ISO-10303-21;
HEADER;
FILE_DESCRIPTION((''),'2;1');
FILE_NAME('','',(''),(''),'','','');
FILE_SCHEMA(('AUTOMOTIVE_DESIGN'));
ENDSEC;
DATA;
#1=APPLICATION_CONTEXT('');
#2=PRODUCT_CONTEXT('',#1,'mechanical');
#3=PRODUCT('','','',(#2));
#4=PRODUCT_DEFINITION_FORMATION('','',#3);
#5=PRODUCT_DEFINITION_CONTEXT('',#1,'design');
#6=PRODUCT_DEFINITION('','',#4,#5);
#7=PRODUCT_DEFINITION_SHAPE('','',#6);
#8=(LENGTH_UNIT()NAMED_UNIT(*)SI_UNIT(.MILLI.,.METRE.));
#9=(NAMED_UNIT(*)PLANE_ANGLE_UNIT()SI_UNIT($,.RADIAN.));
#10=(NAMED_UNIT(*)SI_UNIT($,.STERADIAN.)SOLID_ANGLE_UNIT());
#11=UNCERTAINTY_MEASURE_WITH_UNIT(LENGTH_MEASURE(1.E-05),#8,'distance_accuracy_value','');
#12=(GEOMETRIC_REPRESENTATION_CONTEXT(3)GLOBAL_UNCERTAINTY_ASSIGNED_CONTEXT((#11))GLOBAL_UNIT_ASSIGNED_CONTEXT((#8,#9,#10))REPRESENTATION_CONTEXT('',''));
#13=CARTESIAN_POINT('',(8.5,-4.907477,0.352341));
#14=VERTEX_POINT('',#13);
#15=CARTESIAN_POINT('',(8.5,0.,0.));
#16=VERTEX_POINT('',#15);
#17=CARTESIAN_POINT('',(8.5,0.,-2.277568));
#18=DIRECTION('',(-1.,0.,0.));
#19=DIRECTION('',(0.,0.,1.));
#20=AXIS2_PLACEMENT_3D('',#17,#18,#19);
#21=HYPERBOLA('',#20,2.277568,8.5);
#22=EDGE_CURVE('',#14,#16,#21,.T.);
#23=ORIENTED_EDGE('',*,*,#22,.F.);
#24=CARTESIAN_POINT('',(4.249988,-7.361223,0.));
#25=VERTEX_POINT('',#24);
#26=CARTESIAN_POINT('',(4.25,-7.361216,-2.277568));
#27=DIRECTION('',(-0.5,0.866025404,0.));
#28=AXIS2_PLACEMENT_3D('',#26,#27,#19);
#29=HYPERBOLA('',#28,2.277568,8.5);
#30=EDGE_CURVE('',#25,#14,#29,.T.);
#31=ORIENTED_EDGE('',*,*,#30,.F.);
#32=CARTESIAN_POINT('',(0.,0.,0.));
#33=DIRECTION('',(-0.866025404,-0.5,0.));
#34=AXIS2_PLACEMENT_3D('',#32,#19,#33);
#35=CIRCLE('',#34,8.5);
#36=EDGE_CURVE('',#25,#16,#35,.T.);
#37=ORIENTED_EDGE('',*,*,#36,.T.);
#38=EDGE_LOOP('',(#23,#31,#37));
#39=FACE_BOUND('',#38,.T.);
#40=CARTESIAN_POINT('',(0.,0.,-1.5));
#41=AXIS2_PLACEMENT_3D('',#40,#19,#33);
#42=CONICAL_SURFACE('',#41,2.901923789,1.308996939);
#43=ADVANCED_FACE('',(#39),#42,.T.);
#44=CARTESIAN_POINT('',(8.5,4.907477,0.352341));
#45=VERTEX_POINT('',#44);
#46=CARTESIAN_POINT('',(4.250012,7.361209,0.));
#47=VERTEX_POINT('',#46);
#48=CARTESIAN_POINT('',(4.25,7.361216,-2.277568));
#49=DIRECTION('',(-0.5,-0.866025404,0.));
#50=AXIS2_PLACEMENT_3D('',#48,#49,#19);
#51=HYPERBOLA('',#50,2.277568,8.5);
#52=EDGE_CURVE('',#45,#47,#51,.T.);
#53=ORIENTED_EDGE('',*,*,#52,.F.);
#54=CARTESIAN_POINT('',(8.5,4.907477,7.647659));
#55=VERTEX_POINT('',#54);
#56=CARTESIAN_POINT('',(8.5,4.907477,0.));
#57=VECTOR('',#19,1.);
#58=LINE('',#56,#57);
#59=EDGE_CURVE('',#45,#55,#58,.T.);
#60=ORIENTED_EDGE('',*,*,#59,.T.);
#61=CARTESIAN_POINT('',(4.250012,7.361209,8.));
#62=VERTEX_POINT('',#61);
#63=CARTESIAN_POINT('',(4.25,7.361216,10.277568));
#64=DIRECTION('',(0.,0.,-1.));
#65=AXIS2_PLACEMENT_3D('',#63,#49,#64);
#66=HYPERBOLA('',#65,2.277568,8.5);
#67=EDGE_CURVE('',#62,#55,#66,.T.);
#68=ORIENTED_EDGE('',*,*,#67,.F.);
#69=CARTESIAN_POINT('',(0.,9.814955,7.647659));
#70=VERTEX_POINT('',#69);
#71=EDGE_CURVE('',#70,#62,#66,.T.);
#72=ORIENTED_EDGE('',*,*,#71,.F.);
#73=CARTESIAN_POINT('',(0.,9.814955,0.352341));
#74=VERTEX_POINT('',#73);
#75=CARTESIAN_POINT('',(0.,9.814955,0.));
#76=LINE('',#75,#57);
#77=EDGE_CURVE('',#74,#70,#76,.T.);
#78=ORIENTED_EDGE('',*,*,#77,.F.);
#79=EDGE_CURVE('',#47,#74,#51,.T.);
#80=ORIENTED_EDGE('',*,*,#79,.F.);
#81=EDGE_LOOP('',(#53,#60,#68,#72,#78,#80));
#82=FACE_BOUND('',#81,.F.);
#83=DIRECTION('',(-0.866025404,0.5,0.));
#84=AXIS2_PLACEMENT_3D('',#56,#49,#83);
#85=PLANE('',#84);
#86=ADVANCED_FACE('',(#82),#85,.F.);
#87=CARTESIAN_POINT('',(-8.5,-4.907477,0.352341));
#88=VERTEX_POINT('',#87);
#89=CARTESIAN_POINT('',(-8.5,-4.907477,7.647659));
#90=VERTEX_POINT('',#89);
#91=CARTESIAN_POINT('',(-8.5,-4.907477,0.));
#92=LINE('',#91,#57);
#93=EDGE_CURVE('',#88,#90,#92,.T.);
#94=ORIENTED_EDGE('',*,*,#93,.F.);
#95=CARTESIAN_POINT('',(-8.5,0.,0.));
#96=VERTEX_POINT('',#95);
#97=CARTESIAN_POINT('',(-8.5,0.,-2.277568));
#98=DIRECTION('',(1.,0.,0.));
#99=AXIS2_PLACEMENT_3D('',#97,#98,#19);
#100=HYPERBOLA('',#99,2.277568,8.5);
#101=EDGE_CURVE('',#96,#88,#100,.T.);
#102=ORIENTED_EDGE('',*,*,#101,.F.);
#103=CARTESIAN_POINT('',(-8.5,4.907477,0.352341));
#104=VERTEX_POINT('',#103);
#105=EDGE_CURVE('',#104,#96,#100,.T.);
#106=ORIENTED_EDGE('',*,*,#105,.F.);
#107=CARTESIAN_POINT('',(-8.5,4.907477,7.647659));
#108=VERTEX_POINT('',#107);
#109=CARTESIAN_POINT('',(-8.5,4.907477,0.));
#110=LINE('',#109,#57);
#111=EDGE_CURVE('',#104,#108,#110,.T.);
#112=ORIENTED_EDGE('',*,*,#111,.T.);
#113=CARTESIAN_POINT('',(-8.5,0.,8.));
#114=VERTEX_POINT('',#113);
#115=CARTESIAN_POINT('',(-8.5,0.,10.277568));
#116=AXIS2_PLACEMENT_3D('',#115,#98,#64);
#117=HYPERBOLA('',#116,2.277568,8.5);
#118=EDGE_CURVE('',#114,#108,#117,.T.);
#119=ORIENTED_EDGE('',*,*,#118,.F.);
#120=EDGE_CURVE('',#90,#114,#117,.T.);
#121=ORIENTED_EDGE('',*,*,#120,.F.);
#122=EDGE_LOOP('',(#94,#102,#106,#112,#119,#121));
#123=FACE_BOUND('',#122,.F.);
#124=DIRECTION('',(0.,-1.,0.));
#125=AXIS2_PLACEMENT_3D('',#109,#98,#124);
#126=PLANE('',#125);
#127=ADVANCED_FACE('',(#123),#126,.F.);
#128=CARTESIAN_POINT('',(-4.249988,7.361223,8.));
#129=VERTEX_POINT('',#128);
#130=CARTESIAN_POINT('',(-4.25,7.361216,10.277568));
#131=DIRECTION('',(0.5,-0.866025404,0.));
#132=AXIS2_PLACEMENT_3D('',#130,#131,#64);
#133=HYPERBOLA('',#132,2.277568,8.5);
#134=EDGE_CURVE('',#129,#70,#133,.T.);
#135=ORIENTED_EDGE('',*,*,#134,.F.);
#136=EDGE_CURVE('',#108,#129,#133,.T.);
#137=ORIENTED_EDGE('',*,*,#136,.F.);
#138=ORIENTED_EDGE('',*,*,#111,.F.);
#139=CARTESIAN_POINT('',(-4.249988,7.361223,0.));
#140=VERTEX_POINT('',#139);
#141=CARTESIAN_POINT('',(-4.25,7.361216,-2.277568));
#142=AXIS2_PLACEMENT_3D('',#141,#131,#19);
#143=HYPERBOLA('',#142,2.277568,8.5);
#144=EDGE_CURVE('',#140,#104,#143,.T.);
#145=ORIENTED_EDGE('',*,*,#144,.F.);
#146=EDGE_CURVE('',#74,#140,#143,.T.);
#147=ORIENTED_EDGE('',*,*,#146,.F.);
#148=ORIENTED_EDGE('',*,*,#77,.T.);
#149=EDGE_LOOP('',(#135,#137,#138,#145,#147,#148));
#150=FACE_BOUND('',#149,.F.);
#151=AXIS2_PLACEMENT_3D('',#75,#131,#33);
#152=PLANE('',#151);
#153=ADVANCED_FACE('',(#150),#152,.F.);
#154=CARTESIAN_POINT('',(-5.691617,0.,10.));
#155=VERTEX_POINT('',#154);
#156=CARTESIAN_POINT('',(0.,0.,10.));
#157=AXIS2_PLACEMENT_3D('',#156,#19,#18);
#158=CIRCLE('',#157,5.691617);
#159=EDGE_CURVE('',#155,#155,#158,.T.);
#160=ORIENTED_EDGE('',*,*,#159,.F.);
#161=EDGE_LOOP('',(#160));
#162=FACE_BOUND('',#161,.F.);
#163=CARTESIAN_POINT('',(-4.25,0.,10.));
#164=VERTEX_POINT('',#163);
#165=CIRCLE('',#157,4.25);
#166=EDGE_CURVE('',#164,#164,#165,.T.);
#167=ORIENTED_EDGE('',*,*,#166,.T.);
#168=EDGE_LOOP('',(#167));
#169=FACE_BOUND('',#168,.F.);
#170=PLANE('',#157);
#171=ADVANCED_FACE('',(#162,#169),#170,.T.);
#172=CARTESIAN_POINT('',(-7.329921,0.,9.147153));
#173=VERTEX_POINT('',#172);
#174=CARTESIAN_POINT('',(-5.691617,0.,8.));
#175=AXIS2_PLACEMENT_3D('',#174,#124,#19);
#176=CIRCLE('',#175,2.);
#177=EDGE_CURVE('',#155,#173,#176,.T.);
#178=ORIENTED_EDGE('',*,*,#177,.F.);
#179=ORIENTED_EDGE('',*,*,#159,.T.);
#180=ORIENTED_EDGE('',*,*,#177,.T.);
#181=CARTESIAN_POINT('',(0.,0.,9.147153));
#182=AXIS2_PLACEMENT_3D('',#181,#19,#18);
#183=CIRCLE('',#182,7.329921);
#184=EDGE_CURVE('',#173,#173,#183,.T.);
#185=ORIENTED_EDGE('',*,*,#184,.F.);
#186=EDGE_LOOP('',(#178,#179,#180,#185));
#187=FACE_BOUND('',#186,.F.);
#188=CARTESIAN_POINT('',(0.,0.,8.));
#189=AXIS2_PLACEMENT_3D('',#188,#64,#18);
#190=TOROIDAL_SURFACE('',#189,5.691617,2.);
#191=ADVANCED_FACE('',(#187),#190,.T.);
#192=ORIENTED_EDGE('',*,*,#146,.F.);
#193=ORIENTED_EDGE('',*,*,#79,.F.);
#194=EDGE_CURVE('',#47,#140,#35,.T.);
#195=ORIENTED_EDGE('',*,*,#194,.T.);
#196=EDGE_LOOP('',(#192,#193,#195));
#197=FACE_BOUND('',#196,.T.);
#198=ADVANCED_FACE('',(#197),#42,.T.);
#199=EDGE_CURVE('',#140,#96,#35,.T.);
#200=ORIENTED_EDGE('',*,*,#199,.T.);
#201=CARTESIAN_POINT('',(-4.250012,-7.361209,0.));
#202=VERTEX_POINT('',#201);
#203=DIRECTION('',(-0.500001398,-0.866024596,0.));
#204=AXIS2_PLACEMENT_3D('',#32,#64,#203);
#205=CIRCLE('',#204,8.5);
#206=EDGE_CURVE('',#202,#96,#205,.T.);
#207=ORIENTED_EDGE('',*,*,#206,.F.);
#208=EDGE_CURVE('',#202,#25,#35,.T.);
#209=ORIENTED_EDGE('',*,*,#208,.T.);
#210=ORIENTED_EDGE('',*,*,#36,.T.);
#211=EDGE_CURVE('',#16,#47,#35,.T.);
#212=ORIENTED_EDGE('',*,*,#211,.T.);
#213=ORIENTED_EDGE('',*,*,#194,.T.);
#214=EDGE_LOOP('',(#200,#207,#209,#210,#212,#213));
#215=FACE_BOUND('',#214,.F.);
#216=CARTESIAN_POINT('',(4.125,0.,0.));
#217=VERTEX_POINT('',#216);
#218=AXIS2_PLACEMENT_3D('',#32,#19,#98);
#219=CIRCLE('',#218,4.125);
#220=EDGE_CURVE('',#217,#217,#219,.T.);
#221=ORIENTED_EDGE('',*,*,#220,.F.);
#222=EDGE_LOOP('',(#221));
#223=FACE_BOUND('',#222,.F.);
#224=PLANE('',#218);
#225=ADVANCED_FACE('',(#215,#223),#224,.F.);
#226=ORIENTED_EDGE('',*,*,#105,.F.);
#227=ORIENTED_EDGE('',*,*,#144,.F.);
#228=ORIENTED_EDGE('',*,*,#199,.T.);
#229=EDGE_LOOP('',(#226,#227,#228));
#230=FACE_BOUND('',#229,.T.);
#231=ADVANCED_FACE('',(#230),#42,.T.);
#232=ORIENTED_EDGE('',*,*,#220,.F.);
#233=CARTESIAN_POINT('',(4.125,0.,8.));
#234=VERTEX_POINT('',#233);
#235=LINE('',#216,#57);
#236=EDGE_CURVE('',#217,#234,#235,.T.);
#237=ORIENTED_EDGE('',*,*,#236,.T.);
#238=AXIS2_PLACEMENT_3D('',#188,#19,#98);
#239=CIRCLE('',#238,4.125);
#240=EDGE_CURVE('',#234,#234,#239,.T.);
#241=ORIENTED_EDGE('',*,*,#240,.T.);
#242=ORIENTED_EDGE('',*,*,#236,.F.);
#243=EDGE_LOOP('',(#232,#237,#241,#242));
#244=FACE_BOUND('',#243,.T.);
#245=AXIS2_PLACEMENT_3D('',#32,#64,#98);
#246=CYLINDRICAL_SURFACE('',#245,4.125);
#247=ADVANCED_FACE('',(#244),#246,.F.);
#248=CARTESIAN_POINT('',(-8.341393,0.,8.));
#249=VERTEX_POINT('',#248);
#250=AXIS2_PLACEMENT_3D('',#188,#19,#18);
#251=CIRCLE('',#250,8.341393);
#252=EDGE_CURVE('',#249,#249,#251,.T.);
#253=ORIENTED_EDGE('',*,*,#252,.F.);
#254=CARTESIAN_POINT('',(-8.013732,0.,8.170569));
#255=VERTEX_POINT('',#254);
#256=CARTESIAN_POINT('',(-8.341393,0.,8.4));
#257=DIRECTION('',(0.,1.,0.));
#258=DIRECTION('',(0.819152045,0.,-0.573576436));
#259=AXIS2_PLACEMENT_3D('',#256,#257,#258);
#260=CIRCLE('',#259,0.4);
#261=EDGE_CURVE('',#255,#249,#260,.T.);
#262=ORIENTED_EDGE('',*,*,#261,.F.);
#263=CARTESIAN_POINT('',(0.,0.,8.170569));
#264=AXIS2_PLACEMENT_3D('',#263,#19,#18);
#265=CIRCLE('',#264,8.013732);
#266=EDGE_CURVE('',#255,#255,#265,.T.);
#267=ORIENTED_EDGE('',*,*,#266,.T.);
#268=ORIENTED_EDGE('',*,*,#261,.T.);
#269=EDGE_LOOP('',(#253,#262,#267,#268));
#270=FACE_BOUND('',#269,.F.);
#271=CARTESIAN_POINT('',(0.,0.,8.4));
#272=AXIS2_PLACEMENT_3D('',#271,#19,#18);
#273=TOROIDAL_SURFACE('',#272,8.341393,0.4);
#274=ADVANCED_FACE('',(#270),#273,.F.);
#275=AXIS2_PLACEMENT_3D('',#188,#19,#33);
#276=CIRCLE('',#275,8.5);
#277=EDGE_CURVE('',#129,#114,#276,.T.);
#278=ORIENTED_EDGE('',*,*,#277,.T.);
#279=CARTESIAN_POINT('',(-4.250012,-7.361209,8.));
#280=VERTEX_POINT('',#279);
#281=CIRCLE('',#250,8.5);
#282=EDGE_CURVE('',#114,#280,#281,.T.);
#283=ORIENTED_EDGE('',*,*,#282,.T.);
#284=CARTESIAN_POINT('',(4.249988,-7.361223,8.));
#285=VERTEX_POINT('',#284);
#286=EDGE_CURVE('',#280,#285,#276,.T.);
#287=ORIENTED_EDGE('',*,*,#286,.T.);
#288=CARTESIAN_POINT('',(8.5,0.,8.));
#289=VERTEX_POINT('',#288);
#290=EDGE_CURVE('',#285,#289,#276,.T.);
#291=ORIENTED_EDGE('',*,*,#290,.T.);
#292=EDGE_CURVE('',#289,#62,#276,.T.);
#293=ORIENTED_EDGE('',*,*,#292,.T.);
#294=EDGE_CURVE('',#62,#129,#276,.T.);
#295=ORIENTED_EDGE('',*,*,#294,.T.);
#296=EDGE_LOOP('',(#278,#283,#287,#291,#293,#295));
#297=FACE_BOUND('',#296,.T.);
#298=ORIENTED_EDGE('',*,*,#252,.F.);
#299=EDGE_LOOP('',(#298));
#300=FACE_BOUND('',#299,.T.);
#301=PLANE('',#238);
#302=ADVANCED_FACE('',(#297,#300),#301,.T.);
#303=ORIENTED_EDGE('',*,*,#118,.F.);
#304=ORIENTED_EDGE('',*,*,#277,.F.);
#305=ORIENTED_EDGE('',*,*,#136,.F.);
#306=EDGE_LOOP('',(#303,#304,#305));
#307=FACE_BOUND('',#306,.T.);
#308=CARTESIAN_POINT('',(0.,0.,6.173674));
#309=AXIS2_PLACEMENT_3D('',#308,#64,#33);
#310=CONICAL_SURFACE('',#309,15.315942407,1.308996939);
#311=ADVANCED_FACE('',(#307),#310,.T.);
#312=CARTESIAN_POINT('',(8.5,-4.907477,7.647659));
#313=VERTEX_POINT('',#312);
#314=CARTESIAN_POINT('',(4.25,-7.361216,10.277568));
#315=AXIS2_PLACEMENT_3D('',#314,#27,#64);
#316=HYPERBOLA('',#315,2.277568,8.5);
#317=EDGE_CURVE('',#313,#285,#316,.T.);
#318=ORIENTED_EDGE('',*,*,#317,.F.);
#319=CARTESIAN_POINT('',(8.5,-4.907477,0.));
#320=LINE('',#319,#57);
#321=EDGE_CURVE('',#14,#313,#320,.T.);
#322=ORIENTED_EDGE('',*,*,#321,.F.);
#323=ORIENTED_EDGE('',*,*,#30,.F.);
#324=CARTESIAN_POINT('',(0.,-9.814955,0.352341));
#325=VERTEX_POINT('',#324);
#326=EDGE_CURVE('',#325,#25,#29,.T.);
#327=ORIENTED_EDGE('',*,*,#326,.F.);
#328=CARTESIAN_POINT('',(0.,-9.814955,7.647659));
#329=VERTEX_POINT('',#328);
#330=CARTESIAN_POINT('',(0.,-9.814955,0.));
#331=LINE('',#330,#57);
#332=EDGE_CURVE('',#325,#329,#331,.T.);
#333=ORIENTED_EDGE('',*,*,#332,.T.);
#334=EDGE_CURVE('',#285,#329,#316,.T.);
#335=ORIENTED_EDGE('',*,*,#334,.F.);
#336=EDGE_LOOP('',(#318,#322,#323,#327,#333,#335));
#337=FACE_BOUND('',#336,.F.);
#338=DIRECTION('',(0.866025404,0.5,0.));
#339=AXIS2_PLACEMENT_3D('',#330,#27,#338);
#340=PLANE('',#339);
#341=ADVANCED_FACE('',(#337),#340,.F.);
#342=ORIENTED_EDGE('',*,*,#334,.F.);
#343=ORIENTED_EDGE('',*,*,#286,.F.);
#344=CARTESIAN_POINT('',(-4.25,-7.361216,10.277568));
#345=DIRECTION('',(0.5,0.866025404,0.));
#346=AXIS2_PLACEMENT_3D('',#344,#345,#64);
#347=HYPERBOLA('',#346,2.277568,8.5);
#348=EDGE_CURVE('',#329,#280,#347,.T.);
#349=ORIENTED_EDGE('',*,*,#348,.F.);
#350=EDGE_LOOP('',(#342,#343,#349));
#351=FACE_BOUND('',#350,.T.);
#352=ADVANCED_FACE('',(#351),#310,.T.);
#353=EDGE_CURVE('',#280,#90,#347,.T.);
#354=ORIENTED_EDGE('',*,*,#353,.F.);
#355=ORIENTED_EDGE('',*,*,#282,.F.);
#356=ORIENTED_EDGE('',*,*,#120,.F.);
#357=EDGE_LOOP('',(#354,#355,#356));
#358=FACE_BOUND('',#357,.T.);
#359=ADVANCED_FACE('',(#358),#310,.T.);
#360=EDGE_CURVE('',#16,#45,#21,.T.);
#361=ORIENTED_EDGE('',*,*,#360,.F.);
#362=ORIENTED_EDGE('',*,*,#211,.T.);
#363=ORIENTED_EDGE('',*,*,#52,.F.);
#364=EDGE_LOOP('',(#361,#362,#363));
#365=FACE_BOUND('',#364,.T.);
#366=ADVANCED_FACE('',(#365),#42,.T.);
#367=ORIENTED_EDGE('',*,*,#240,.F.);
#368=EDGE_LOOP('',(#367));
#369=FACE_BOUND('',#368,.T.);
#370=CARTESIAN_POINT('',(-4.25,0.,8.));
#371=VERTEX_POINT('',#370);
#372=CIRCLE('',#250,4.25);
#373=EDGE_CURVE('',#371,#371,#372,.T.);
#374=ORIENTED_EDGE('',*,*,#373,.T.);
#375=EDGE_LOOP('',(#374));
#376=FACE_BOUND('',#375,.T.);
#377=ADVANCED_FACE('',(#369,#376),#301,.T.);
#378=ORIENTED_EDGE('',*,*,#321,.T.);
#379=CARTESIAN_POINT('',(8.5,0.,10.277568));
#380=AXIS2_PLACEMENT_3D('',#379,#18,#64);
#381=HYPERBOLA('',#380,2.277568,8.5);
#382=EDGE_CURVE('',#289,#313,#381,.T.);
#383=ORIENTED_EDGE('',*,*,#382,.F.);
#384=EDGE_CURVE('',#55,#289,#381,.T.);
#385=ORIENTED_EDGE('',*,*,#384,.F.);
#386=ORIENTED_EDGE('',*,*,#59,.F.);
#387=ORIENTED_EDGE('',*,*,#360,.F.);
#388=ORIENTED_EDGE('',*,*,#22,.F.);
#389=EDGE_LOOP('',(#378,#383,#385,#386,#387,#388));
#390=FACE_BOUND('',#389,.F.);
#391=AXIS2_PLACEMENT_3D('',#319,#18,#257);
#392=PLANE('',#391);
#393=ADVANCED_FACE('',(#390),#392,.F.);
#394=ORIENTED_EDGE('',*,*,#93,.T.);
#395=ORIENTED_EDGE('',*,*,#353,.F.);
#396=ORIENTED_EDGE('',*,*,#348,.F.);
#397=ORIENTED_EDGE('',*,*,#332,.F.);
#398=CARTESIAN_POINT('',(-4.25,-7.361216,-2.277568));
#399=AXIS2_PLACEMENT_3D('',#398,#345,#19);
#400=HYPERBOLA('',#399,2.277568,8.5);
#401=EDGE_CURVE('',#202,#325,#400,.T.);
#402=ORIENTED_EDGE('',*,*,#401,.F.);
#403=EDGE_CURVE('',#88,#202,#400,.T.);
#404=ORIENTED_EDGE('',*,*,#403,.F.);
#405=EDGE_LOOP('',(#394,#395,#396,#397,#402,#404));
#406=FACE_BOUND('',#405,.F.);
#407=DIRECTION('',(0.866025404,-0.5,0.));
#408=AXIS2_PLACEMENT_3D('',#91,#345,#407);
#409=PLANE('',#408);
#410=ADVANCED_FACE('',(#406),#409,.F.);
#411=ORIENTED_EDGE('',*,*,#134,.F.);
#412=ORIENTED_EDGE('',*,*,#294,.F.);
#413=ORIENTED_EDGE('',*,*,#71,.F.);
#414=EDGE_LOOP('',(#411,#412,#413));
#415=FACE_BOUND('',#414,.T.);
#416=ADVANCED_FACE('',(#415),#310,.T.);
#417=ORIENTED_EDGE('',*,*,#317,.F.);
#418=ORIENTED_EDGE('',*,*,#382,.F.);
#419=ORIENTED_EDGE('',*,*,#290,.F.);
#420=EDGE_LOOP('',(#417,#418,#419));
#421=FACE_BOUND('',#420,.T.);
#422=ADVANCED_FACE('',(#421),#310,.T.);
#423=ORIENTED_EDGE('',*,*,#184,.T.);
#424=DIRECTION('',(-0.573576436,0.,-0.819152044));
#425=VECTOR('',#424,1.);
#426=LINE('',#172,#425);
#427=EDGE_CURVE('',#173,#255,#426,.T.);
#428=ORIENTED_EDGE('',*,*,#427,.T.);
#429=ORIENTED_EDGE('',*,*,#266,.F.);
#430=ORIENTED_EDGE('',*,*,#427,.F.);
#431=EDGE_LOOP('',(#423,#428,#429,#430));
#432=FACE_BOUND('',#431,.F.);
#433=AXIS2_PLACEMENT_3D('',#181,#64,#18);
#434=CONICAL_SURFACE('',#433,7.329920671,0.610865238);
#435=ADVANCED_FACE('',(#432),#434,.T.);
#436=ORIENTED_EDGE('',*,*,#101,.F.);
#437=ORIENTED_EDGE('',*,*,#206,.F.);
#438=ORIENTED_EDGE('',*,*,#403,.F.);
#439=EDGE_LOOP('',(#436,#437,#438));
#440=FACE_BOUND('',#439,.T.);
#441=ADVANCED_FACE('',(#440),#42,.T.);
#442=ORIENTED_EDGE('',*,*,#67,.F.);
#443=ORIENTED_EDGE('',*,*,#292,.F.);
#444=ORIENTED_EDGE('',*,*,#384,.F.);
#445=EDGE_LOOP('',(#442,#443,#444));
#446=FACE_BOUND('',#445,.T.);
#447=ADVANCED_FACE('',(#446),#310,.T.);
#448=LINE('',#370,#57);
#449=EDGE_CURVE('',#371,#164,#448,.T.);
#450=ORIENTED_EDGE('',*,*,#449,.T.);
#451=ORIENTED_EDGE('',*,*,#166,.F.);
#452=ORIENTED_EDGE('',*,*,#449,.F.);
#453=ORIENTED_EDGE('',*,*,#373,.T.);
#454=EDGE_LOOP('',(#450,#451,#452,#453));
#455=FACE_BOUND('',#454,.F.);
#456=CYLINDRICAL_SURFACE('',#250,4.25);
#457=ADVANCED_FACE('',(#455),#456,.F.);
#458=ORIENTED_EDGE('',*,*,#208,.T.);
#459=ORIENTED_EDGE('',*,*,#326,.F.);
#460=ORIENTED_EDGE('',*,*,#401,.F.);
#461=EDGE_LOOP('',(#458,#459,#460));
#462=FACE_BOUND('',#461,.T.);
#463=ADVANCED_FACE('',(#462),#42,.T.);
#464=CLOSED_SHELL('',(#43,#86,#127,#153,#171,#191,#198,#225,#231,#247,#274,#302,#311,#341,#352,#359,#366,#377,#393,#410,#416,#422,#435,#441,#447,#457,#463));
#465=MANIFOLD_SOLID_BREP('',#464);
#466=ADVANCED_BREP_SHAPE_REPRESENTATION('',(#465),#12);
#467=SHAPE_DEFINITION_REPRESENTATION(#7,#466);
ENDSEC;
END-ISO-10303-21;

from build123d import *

# Parameters (mm, degrees)
F0_R     = 4.125
F1_DEPTH = 8


with BuildPart() as f1:
    # F0 (on Top) → F1 (new body)
    with BuildSketch(Plane.XY):
        Polygon((8.5, -4.9074772881), (8.5, 4.9074772881), (0, 9.8149545762), (-8.5, 4.9074772881), (-8.5, -4.9074772881), (0, -9.8149545762), align=None)
        Circle(F0_R, mode=Mode.SUBTRACT)
    extrude(amount=F1_DEPTH)

    # F5 (on 3pt) → F6 (revolve, cut)
    with BuildSketch(Plane(origin=(0, 0, 0), x_dir=(0.8660254038, 0.5, 0), z_dir=(0.5, -0.8660254038, 0))):
        Polygon((-15.315942407, 9.5), (-15.315942407, 6.1736737364), (-2.9019237886, 9.5), align=None)
        Polygon((-15.315942407, -1.5), (-2.9019237886, -1.5), (-15.315942407, 1.8263262636), align=None)
    revolve(axis=Axis((0, 0, 4.2626714858), (0, 0, 1)), mode=Mode.SUBTRACT)

    # F7 (on Front) → F8 (revolve)
    with BuildSketch(Plane.XZ):
        with BuildLine():
            Line((-8.34139258, 8), (-4.25, 8))
            Line((-4.25, 8), (-4.25, 10))
            Line((-4.25, 10), (-5.6916165822, 10))
            ThreePointArc((-5.6916165822, 10), (-6.6151138087, 9.7740216664), (-7.3299206708, 9.1471528727))
            Line((-7.3299206708, 9.1471528727), (-8.0137317623, 8.1705694255))
            ThreePointArc((-8.0137317623, 8.1705694255), (-8.1566931347, 8.0451956667), (-8.34139258, 8))
        make_face()
    revolve(axis=Axis((0, 0, 4.2626714858), (0, 0, 1)))


solid = f1.part
